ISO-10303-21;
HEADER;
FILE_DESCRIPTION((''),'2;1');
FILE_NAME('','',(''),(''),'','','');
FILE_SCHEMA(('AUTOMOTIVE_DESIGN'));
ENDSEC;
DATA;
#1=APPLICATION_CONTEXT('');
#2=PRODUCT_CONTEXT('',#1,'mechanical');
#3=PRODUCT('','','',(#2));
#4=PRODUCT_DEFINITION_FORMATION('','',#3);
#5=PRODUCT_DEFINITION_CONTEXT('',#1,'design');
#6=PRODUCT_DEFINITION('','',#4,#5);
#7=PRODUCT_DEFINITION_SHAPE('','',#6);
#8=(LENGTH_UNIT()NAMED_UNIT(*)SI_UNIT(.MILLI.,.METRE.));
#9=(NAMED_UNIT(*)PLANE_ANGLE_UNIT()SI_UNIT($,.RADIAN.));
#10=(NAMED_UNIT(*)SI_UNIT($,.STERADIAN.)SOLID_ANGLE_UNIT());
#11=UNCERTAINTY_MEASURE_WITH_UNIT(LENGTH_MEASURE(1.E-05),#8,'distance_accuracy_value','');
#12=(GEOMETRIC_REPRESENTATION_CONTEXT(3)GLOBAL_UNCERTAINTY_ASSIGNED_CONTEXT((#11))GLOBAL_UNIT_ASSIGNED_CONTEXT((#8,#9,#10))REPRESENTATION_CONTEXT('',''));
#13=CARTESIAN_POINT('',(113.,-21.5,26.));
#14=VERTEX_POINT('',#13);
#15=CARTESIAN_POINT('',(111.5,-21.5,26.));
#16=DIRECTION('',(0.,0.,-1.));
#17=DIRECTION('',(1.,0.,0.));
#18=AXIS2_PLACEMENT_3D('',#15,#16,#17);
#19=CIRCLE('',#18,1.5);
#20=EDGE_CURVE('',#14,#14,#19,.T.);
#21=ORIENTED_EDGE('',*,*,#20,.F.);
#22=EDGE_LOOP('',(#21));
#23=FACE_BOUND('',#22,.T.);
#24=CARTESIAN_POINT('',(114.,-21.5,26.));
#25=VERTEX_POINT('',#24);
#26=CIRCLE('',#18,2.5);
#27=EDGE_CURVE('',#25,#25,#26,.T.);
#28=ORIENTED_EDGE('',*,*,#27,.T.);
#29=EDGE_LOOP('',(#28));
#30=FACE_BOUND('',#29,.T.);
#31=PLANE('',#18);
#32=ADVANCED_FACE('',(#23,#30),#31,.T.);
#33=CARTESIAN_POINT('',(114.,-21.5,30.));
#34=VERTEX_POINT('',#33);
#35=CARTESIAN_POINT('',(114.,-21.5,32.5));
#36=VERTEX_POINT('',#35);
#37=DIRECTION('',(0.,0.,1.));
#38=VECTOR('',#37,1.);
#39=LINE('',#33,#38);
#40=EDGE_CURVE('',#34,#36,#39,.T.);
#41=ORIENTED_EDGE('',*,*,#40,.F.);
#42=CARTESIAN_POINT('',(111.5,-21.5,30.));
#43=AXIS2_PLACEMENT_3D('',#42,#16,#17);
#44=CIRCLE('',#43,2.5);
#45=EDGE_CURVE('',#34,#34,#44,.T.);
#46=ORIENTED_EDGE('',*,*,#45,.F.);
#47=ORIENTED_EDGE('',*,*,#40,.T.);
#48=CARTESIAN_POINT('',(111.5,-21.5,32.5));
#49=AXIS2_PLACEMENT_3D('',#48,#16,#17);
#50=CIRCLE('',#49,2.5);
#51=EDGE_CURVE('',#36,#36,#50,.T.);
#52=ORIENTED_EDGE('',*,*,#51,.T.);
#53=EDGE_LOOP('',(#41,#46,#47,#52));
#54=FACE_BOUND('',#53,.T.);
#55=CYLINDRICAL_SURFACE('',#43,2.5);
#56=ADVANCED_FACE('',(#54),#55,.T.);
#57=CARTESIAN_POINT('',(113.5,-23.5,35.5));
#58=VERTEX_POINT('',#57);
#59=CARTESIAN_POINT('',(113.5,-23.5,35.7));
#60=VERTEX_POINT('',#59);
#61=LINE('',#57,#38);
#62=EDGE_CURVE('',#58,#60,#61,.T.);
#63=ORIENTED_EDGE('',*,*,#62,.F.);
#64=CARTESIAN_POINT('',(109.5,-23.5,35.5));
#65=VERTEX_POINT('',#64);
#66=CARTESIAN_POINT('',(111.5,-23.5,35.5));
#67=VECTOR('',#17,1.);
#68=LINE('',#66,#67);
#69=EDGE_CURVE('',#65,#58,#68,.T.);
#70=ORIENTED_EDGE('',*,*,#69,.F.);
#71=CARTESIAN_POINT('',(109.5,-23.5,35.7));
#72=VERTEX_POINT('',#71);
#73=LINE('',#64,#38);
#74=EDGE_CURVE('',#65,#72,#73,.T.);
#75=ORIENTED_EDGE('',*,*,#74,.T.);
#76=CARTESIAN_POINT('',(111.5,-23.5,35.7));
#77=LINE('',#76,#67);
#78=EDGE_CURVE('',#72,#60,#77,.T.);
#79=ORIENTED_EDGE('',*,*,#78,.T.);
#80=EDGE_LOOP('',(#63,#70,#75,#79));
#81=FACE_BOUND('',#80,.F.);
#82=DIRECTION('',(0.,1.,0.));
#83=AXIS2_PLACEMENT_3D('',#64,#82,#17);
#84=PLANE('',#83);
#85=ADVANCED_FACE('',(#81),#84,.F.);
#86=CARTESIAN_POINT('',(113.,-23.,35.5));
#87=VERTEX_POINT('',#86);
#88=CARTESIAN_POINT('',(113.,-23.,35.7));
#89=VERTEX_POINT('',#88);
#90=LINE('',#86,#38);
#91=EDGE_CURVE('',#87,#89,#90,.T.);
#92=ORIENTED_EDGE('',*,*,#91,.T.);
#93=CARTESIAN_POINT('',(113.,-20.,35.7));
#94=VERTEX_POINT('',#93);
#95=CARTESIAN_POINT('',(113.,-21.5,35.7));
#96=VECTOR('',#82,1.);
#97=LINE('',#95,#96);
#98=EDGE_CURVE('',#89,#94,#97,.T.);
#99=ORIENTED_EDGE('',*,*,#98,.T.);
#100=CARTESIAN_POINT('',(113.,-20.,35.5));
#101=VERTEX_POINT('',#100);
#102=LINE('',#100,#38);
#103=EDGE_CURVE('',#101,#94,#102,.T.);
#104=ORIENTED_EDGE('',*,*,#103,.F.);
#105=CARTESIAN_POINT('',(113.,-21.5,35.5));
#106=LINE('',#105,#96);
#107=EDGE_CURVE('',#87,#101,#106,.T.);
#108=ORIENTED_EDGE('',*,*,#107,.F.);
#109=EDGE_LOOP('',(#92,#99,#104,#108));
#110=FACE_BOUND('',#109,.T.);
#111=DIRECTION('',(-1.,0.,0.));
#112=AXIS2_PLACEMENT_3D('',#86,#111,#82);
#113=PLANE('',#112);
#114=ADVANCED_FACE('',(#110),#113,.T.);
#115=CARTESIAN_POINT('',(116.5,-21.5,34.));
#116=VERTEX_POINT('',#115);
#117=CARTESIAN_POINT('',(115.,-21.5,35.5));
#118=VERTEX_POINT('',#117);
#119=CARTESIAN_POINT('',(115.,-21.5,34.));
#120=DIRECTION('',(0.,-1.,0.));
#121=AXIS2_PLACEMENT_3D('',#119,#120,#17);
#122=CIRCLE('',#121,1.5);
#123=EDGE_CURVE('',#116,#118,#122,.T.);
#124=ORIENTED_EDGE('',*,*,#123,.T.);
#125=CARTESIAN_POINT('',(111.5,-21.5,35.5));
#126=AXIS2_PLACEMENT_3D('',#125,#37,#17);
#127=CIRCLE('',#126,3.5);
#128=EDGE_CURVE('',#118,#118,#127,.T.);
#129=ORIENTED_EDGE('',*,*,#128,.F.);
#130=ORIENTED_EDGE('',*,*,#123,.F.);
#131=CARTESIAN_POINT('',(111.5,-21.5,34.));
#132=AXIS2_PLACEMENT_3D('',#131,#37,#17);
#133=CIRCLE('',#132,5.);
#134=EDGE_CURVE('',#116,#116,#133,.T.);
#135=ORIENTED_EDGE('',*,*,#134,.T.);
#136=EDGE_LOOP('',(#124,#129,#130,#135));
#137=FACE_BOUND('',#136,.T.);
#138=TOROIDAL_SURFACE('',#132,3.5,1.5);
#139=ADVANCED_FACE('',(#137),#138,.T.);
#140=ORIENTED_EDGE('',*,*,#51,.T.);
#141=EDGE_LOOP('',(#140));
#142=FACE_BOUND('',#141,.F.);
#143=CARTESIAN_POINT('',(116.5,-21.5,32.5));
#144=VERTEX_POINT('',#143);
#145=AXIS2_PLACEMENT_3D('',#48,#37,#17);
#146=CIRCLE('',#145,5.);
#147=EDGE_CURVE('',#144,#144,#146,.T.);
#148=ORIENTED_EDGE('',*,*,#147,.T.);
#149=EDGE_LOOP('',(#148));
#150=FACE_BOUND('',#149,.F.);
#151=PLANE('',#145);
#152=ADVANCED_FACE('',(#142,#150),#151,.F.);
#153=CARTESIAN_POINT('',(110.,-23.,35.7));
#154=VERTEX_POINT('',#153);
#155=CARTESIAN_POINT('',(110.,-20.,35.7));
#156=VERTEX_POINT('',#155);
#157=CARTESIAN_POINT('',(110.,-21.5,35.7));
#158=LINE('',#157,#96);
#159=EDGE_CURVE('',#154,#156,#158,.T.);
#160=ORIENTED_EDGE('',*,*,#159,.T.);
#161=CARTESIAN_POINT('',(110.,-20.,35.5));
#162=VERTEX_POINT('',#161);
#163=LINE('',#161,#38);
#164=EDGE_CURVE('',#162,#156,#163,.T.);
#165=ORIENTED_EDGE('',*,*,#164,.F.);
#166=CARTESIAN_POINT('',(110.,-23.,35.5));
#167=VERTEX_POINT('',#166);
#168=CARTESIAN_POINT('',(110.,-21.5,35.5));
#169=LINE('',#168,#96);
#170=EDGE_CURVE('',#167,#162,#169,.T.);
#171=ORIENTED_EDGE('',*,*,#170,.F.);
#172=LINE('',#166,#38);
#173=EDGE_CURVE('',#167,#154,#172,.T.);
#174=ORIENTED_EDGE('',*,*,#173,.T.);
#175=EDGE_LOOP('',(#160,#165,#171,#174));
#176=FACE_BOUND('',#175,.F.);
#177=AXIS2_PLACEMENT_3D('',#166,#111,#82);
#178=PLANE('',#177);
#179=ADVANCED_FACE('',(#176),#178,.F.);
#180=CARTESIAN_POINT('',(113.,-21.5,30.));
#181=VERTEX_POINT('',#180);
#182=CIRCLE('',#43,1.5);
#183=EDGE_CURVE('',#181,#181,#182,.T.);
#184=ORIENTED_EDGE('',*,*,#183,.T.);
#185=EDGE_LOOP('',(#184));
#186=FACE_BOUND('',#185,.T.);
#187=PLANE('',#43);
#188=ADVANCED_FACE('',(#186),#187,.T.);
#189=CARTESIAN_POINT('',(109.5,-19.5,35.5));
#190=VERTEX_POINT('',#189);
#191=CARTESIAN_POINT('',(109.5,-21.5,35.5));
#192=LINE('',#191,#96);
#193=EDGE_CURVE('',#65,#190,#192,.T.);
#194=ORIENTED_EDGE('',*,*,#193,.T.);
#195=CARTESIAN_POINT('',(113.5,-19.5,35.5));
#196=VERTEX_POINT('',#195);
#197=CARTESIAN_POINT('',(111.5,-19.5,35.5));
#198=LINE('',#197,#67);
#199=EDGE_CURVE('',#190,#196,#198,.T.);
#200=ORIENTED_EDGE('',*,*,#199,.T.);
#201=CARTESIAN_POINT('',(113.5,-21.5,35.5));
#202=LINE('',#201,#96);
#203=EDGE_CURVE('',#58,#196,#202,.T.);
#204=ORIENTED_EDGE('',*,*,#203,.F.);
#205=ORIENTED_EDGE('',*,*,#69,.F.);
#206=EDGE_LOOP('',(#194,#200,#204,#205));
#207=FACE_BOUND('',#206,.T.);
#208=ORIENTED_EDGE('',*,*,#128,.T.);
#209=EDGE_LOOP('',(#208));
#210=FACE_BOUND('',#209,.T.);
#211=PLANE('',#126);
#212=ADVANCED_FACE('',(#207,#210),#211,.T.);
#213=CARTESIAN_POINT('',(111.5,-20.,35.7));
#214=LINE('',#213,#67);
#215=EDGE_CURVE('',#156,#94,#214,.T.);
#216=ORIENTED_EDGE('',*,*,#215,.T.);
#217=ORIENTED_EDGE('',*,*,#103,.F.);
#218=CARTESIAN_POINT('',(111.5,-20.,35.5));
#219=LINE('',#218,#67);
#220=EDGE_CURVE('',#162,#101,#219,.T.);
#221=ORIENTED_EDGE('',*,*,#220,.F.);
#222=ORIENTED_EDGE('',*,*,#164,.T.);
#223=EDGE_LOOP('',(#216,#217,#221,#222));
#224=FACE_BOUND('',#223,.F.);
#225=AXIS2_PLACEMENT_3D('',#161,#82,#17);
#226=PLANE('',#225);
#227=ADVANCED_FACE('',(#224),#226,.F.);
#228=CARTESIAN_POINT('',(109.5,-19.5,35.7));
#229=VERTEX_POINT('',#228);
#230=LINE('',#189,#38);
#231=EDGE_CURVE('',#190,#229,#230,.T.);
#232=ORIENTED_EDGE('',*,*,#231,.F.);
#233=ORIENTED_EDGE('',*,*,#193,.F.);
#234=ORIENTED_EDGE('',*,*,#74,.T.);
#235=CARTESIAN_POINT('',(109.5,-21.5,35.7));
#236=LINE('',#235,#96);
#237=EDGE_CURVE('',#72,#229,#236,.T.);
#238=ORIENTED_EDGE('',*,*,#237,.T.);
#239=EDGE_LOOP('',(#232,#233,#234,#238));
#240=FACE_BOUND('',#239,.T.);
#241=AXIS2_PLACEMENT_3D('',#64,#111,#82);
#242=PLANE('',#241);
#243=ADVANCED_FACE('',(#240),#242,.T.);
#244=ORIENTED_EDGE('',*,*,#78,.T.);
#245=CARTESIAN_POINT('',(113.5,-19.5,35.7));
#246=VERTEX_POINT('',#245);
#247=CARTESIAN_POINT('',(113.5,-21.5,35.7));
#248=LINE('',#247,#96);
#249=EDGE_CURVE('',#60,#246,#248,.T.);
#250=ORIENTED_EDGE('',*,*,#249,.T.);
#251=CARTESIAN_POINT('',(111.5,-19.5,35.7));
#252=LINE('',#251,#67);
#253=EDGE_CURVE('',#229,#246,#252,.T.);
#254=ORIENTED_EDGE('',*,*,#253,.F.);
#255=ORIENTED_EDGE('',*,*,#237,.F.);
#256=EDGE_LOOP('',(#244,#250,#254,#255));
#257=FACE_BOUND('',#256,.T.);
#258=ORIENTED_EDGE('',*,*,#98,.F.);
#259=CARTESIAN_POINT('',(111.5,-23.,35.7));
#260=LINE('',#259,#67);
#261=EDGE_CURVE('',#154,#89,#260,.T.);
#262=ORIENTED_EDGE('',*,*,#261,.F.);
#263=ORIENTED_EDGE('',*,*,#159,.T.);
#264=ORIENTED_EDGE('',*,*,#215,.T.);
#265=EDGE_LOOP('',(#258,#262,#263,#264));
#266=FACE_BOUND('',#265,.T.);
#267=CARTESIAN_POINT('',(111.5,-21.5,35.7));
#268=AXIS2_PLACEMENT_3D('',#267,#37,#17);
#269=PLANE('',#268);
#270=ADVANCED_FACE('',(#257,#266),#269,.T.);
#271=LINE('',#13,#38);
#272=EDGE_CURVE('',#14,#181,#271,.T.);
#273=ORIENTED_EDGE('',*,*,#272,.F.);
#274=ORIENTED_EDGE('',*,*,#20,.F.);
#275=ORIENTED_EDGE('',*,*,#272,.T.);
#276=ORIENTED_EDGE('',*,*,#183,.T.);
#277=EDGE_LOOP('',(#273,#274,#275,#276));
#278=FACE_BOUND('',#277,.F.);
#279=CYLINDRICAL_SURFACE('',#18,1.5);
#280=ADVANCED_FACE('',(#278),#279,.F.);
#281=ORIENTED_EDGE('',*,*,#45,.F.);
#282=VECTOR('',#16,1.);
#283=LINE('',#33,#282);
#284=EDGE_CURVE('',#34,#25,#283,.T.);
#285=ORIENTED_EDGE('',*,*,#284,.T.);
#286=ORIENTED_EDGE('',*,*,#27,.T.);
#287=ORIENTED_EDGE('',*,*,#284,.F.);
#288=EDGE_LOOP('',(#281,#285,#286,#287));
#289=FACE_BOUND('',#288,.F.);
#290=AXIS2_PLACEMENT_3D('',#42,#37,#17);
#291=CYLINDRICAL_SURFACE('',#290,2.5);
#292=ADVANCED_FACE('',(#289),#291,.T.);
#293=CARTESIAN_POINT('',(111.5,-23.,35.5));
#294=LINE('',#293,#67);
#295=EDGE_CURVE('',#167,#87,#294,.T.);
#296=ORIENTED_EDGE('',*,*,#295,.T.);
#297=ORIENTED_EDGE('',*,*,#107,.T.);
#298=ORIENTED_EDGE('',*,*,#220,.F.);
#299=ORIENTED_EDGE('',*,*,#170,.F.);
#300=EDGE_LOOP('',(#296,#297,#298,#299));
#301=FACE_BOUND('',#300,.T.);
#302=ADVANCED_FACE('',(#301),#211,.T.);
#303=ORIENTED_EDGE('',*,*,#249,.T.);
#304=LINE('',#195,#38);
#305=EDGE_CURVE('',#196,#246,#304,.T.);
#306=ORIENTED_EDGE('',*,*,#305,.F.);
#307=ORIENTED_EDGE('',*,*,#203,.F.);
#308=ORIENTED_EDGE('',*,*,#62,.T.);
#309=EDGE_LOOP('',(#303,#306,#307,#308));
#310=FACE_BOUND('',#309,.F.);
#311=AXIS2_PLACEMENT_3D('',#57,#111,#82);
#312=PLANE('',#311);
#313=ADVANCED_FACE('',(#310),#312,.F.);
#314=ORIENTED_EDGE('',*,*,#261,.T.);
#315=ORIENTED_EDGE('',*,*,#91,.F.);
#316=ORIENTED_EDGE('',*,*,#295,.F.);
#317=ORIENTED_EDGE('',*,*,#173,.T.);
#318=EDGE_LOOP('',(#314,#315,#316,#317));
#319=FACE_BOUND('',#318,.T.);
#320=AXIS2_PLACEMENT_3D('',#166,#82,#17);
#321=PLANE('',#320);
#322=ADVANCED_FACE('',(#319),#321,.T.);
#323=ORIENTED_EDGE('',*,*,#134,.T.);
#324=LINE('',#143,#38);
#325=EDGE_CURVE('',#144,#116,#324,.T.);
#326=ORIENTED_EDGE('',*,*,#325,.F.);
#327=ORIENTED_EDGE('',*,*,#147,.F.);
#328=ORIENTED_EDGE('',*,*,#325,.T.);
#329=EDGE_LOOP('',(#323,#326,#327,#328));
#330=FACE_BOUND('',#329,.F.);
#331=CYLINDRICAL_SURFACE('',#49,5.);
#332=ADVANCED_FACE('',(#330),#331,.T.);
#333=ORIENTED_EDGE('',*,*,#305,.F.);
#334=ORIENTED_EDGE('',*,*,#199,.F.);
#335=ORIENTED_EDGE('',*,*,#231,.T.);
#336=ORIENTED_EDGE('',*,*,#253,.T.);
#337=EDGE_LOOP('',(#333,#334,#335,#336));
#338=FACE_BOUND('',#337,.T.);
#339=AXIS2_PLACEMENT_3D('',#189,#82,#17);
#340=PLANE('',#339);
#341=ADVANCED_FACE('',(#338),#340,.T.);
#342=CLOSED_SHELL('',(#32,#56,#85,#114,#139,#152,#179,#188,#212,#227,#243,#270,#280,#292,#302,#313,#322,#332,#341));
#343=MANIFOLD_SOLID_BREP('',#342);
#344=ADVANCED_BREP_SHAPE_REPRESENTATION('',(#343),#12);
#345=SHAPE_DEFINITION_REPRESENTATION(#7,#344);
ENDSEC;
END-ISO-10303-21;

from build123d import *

# Parameters (mm, degrees)
SKETCH046_R     = 2.5
PAD023_DEPTH    = 2.5
SKETCH047_R     = 5
PAD024_DEPTH    = 3
FILLET003_R     = 1.5
SKETCH049_R     = 2.5
PAD025_DEPTH    = 4
SKETCH050_R     = 1.5
POCKET026_DEPTH = 4
SKETCH091_W     = 4
SKETCH091_H     = 4
SKETCH091_W_2   = 3
SKETCH091_H_2   = 3
PAD057_DEPTH    = 0.2


with BuildPart() as part:
    # Sketch046 → Pad023 (new body)
    with BuildSketch(Plane(origin=(0, 0, 30), x_dir=(1, 0, 0), z_dir=(0, 0, -1))):
        with Locations((101, 55)):
            Circle(SKETCH046_R)
    extrude(amount=-PAD023_DEPTH)

    # Sketch047 (on Face3 of Pad023) → Pad024 (join)
    with BuildSketch(Plane.XY.offset(32.5)):
        with Locations((101, -55)):
            Circle(SKETCH047_R)
    extrude(amount=PAD024_DEPTH)

    # Fillet003
    fillet003_edges = [part.edges().sort_by_distance(p)[0] for p in [
        (96, -55, 35.5),
    ]]
    fillet(fillet003_edges, radius=FILLET003_R)

    # Sketch049 → Pad025 (join)
    with BuildSketch(Plane(origin=(0, 0, 30), x_dir=(1, 0, 0), z_dir=(0, 0, -1))):
        with Locations((101, 55)):
            Circle(SKETCH049_R)
    extrude(amount=PAD025_DEPTH)

    # Sketch050 (on Face17 of Pad025) → Pocket026 (cut)
    with BuildSketch(Plane(origin=(0, 0, 26), x_dir=(1, 0, 0), z_dir=(0, 0, -1))):
        with Locations((101, 55)):
            Circle(SKETCH050_R)
    extrude(amount=-POCKET026_DEPTH, mode=Mode.SUBTRACT)


with BuildPart() as part_1:
    # Body002 placement: moved
    add(part.part.moved(Location((75, 0, 0))))

    # Sketch091 (on Face4 of Clone005) → Pad057 (new body)
    with BuildSketch(Plane(origin=(75, 0, 35.5), x_dir=(1, 0, 0), z_dir=(0, 0, 1))):
        with Locations((101, -55)):
            Rectangle(SKETCH091_W, SKETCH091_H)
        with Locations((101, -55)):
            Rectangle(SKETCH091_W_2, SKETCH091_H_2, mode=Mode.SUBTRACT)
    extrude(amount=PAD057_DEPTH)


with BuildPart() as part_2:
    # Body014 placement: moved
    add(part_1.part.moved(Location((-64.5, 33.5, 0))))


solid = part_2.part
